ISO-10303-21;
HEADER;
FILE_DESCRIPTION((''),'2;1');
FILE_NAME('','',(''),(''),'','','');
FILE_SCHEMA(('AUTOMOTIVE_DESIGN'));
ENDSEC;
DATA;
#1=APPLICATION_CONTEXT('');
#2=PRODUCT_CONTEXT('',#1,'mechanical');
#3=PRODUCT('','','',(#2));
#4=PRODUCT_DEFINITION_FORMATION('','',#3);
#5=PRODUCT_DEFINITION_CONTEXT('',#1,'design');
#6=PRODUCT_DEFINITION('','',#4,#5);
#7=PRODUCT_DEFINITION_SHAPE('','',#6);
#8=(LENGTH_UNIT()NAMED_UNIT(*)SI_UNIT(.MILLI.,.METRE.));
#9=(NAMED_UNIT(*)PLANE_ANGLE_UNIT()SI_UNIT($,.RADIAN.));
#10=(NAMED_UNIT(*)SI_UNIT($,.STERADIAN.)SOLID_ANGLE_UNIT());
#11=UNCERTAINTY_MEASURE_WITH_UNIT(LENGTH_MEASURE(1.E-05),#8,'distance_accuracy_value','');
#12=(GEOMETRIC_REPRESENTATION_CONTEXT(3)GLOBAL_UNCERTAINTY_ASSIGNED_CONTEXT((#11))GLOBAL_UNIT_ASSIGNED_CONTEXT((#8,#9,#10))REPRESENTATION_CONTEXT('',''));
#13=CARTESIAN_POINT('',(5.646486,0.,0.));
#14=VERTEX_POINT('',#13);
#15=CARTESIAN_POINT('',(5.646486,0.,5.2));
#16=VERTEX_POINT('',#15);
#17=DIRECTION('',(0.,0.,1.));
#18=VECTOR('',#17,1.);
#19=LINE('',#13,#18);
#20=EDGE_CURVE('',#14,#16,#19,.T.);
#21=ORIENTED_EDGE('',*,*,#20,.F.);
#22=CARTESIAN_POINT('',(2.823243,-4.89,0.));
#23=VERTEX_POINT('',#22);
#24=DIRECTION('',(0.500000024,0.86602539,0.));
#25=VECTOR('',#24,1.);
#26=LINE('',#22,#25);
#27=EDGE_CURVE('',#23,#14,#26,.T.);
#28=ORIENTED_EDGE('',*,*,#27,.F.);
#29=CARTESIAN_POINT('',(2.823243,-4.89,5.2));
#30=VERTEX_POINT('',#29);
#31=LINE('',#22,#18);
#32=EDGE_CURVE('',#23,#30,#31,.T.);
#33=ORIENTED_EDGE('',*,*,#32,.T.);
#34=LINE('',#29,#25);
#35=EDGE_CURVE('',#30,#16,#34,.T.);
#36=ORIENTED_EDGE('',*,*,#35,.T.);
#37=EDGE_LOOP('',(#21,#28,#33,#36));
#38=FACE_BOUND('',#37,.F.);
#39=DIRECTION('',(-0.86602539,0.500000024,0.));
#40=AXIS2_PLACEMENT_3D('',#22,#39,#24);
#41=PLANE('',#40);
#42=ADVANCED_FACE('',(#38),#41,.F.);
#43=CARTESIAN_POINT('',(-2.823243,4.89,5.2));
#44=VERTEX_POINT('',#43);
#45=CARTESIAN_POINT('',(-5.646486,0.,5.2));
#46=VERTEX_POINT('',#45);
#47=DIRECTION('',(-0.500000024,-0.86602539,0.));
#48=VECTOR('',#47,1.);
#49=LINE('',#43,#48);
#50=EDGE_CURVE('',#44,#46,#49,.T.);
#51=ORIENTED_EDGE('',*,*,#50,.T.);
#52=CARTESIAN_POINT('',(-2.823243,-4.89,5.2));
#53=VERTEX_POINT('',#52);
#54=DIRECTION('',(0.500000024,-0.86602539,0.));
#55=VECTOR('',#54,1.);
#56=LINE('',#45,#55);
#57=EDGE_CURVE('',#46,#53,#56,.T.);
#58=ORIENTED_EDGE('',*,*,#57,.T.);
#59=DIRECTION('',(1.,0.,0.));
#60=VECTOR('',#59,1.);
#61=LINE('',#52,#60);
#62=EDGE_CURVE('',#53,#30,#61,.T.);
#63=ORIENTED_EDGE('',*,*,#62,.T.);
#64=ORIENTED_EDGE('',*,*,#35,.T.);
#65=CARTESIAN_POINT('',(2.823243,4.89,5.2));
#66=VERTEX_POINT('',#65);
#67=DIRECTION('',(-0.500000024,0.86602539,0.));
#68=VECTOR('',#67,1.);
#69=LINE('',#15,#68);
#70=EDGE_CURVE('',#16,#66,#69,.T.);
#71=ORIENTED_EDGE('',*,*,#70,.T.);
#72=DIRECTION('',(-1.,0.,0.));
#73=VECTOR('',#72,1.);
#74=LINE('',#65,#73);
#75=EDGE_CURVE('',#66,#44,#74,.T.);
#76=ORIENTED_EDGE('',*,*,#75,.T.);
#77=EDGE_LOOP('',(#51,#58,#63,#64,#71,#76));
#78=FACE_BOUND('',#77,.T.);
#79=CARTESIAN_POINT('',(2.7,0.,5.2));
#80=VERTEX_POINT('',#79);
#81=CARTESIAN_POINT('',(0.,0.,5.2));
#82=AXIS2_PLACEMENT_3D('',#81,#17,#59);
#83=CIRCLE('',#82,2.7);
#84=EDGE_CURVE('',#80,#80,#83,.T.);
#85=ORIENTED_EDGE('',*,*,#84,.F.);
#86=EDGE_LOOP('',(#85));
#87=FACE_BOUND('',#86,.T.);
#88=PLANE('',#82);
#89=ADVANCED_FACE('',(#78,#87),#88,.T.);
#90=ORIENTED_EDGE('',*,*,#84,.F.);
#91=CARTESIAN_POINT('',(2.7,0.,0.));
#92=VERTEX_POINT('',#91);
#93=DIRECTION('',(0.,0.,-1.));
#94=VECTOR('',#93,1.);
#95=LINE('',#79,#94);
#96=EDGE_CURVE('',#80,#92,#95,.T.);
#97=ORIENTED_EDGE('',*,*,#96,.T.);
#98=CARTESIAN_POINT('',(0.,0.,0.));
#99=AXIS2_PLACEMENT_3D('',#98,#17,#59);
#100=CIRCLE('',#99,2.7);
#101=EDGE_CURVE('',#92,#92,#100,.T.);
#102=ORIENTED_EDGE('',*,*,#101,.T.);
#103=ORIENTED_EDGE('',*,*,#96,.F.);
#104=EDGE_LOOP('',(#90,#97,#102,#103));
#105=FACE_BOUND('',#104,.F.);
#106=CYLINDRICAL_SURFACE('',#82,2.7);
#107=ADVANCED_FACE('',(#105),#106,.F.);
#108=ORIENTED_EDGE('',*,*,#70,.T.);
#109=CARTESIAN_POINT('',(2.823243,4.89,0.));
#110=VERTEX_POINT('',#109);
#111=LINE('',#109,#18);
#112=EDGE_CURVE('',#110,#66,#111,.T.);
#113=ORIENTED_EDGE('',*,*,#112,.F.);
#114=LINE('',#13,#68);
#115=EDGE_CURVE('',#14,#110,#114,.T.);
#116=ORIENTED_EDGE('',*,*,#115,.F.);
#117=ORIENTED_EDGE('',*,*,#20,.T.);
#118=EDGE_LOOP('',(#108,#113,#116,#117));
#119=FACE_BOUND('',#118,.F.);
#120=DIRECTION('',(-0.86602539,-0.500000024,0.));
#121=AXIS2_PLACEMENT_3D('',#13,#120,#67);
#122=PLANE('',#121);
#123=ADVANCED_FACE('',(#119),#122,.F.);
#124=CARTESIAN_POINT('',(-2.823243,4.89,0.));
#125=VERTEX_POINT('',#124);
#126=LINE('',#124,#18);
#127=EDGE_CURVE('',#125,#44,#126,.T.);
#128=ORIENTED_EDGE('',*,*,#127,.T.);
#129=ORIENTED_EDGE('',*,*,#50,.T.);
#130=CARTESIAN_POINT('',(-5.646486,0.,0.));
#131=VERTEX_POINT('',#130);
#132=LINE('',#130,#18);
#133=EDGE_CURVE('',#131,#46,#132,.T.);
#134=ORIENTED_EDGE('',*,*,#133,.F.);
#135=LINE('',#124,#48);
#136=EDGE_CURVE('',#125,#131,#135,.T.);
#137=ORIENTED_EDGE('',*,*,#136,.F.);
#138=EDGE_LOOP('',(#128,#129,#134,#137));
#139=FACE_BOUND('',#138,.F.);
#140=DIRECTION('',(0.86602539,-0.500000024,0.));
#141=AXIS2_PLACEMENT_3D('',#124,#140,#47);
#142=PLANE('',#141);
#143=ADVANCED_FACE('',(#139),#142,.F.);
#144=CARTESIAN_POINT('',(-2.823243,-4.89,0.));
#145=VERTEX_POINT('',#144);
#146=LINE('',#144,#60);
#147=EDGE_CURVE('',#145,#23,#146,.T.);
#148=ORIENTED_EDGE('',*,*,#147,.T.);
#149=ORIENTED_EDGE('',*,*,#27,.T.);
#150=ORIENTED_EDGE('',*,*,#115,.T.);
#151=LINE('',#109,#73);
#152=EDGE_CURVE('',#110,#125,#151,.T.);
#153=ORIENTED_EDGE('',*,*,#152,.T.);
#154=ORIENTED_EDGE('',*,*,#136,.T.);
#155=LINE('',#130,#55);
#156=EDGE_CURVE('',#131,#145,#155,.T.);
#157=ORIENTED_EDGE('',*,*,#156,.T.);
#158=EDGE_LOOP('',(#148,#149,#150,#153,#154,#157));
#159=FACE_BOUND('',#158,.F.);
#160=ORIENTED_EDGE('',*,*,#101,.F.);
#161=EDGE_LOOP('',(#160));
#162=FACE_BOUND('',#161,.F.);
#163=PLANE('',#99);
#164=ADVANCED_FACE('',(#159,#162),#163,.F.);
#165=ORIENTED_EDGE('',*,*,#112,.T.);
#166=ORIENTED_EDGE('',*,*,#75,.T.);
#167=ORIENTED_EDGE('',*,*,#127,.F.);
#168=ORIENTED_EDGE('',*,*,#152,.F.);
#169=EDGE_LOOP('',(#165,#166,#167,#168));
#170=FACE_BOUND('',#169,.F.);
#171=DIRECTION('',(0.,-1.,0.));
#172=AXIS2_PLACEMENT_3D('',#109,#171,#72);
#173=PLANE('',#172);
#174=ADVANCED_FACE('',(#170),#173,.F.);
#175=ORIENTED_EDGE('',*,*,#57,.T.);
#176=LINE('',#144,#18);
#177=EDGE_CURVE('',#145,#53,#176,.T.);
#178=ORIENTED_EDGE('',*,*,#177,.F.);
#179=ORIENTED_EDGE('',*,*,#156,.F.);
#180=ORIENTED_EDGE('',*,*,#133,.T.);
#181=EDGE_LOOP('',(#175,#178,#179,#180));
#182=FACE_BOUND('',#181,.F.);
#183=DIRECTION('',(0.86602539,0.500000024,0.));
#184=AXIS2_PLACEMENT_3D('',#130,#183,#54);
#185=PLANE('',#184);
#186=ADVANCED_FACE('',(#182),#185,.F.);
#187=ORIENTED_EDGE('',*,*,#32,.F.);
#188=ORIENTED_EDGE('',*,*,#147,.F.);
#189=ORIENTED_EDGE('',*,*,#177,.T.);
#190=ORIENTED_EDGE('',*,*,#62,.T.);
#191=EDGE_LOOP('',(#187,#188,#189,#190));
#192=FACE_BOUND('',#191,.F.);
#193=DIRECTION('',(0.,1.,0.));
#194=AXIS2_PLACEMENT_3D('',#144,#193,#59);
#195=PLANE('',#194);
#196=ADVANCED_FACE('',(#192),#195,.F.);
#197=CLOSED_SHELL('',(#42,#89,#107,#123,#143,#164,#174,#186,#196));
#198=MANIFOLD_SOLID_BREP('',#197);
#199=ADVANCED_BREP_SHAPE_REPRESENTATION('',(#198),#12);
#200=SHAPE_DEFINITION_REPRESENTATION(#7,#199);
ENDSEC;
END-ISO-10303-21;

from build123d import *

# Parameters (mm, degrees)
F1_DEPTH = 5.2
F2_R     = 2.7
F3_DEPTH = 5.2


with BuildPart() as f1:
    # F0 (on Top) → F1 (new body)
    with BuildSketch(Plane.XY):
        Polygon((2.823243, 4.89), (-2.823243, 4.89), (-5.646486, 0), (-2.823243, -4.89), (2.823243, -4.89), (5.646486, 0), align=None)
    extrude(amount=F1_DEPTH)

    # F2 (on face) → F3 (cut, through all)
    with BuildSketch(Plane.XY.offset(5.2)):
        Circle(F2_R)
    extrude(amount=-F3_DEPTH, mode=Mode.SUBTRACT)


solid = f1.part
